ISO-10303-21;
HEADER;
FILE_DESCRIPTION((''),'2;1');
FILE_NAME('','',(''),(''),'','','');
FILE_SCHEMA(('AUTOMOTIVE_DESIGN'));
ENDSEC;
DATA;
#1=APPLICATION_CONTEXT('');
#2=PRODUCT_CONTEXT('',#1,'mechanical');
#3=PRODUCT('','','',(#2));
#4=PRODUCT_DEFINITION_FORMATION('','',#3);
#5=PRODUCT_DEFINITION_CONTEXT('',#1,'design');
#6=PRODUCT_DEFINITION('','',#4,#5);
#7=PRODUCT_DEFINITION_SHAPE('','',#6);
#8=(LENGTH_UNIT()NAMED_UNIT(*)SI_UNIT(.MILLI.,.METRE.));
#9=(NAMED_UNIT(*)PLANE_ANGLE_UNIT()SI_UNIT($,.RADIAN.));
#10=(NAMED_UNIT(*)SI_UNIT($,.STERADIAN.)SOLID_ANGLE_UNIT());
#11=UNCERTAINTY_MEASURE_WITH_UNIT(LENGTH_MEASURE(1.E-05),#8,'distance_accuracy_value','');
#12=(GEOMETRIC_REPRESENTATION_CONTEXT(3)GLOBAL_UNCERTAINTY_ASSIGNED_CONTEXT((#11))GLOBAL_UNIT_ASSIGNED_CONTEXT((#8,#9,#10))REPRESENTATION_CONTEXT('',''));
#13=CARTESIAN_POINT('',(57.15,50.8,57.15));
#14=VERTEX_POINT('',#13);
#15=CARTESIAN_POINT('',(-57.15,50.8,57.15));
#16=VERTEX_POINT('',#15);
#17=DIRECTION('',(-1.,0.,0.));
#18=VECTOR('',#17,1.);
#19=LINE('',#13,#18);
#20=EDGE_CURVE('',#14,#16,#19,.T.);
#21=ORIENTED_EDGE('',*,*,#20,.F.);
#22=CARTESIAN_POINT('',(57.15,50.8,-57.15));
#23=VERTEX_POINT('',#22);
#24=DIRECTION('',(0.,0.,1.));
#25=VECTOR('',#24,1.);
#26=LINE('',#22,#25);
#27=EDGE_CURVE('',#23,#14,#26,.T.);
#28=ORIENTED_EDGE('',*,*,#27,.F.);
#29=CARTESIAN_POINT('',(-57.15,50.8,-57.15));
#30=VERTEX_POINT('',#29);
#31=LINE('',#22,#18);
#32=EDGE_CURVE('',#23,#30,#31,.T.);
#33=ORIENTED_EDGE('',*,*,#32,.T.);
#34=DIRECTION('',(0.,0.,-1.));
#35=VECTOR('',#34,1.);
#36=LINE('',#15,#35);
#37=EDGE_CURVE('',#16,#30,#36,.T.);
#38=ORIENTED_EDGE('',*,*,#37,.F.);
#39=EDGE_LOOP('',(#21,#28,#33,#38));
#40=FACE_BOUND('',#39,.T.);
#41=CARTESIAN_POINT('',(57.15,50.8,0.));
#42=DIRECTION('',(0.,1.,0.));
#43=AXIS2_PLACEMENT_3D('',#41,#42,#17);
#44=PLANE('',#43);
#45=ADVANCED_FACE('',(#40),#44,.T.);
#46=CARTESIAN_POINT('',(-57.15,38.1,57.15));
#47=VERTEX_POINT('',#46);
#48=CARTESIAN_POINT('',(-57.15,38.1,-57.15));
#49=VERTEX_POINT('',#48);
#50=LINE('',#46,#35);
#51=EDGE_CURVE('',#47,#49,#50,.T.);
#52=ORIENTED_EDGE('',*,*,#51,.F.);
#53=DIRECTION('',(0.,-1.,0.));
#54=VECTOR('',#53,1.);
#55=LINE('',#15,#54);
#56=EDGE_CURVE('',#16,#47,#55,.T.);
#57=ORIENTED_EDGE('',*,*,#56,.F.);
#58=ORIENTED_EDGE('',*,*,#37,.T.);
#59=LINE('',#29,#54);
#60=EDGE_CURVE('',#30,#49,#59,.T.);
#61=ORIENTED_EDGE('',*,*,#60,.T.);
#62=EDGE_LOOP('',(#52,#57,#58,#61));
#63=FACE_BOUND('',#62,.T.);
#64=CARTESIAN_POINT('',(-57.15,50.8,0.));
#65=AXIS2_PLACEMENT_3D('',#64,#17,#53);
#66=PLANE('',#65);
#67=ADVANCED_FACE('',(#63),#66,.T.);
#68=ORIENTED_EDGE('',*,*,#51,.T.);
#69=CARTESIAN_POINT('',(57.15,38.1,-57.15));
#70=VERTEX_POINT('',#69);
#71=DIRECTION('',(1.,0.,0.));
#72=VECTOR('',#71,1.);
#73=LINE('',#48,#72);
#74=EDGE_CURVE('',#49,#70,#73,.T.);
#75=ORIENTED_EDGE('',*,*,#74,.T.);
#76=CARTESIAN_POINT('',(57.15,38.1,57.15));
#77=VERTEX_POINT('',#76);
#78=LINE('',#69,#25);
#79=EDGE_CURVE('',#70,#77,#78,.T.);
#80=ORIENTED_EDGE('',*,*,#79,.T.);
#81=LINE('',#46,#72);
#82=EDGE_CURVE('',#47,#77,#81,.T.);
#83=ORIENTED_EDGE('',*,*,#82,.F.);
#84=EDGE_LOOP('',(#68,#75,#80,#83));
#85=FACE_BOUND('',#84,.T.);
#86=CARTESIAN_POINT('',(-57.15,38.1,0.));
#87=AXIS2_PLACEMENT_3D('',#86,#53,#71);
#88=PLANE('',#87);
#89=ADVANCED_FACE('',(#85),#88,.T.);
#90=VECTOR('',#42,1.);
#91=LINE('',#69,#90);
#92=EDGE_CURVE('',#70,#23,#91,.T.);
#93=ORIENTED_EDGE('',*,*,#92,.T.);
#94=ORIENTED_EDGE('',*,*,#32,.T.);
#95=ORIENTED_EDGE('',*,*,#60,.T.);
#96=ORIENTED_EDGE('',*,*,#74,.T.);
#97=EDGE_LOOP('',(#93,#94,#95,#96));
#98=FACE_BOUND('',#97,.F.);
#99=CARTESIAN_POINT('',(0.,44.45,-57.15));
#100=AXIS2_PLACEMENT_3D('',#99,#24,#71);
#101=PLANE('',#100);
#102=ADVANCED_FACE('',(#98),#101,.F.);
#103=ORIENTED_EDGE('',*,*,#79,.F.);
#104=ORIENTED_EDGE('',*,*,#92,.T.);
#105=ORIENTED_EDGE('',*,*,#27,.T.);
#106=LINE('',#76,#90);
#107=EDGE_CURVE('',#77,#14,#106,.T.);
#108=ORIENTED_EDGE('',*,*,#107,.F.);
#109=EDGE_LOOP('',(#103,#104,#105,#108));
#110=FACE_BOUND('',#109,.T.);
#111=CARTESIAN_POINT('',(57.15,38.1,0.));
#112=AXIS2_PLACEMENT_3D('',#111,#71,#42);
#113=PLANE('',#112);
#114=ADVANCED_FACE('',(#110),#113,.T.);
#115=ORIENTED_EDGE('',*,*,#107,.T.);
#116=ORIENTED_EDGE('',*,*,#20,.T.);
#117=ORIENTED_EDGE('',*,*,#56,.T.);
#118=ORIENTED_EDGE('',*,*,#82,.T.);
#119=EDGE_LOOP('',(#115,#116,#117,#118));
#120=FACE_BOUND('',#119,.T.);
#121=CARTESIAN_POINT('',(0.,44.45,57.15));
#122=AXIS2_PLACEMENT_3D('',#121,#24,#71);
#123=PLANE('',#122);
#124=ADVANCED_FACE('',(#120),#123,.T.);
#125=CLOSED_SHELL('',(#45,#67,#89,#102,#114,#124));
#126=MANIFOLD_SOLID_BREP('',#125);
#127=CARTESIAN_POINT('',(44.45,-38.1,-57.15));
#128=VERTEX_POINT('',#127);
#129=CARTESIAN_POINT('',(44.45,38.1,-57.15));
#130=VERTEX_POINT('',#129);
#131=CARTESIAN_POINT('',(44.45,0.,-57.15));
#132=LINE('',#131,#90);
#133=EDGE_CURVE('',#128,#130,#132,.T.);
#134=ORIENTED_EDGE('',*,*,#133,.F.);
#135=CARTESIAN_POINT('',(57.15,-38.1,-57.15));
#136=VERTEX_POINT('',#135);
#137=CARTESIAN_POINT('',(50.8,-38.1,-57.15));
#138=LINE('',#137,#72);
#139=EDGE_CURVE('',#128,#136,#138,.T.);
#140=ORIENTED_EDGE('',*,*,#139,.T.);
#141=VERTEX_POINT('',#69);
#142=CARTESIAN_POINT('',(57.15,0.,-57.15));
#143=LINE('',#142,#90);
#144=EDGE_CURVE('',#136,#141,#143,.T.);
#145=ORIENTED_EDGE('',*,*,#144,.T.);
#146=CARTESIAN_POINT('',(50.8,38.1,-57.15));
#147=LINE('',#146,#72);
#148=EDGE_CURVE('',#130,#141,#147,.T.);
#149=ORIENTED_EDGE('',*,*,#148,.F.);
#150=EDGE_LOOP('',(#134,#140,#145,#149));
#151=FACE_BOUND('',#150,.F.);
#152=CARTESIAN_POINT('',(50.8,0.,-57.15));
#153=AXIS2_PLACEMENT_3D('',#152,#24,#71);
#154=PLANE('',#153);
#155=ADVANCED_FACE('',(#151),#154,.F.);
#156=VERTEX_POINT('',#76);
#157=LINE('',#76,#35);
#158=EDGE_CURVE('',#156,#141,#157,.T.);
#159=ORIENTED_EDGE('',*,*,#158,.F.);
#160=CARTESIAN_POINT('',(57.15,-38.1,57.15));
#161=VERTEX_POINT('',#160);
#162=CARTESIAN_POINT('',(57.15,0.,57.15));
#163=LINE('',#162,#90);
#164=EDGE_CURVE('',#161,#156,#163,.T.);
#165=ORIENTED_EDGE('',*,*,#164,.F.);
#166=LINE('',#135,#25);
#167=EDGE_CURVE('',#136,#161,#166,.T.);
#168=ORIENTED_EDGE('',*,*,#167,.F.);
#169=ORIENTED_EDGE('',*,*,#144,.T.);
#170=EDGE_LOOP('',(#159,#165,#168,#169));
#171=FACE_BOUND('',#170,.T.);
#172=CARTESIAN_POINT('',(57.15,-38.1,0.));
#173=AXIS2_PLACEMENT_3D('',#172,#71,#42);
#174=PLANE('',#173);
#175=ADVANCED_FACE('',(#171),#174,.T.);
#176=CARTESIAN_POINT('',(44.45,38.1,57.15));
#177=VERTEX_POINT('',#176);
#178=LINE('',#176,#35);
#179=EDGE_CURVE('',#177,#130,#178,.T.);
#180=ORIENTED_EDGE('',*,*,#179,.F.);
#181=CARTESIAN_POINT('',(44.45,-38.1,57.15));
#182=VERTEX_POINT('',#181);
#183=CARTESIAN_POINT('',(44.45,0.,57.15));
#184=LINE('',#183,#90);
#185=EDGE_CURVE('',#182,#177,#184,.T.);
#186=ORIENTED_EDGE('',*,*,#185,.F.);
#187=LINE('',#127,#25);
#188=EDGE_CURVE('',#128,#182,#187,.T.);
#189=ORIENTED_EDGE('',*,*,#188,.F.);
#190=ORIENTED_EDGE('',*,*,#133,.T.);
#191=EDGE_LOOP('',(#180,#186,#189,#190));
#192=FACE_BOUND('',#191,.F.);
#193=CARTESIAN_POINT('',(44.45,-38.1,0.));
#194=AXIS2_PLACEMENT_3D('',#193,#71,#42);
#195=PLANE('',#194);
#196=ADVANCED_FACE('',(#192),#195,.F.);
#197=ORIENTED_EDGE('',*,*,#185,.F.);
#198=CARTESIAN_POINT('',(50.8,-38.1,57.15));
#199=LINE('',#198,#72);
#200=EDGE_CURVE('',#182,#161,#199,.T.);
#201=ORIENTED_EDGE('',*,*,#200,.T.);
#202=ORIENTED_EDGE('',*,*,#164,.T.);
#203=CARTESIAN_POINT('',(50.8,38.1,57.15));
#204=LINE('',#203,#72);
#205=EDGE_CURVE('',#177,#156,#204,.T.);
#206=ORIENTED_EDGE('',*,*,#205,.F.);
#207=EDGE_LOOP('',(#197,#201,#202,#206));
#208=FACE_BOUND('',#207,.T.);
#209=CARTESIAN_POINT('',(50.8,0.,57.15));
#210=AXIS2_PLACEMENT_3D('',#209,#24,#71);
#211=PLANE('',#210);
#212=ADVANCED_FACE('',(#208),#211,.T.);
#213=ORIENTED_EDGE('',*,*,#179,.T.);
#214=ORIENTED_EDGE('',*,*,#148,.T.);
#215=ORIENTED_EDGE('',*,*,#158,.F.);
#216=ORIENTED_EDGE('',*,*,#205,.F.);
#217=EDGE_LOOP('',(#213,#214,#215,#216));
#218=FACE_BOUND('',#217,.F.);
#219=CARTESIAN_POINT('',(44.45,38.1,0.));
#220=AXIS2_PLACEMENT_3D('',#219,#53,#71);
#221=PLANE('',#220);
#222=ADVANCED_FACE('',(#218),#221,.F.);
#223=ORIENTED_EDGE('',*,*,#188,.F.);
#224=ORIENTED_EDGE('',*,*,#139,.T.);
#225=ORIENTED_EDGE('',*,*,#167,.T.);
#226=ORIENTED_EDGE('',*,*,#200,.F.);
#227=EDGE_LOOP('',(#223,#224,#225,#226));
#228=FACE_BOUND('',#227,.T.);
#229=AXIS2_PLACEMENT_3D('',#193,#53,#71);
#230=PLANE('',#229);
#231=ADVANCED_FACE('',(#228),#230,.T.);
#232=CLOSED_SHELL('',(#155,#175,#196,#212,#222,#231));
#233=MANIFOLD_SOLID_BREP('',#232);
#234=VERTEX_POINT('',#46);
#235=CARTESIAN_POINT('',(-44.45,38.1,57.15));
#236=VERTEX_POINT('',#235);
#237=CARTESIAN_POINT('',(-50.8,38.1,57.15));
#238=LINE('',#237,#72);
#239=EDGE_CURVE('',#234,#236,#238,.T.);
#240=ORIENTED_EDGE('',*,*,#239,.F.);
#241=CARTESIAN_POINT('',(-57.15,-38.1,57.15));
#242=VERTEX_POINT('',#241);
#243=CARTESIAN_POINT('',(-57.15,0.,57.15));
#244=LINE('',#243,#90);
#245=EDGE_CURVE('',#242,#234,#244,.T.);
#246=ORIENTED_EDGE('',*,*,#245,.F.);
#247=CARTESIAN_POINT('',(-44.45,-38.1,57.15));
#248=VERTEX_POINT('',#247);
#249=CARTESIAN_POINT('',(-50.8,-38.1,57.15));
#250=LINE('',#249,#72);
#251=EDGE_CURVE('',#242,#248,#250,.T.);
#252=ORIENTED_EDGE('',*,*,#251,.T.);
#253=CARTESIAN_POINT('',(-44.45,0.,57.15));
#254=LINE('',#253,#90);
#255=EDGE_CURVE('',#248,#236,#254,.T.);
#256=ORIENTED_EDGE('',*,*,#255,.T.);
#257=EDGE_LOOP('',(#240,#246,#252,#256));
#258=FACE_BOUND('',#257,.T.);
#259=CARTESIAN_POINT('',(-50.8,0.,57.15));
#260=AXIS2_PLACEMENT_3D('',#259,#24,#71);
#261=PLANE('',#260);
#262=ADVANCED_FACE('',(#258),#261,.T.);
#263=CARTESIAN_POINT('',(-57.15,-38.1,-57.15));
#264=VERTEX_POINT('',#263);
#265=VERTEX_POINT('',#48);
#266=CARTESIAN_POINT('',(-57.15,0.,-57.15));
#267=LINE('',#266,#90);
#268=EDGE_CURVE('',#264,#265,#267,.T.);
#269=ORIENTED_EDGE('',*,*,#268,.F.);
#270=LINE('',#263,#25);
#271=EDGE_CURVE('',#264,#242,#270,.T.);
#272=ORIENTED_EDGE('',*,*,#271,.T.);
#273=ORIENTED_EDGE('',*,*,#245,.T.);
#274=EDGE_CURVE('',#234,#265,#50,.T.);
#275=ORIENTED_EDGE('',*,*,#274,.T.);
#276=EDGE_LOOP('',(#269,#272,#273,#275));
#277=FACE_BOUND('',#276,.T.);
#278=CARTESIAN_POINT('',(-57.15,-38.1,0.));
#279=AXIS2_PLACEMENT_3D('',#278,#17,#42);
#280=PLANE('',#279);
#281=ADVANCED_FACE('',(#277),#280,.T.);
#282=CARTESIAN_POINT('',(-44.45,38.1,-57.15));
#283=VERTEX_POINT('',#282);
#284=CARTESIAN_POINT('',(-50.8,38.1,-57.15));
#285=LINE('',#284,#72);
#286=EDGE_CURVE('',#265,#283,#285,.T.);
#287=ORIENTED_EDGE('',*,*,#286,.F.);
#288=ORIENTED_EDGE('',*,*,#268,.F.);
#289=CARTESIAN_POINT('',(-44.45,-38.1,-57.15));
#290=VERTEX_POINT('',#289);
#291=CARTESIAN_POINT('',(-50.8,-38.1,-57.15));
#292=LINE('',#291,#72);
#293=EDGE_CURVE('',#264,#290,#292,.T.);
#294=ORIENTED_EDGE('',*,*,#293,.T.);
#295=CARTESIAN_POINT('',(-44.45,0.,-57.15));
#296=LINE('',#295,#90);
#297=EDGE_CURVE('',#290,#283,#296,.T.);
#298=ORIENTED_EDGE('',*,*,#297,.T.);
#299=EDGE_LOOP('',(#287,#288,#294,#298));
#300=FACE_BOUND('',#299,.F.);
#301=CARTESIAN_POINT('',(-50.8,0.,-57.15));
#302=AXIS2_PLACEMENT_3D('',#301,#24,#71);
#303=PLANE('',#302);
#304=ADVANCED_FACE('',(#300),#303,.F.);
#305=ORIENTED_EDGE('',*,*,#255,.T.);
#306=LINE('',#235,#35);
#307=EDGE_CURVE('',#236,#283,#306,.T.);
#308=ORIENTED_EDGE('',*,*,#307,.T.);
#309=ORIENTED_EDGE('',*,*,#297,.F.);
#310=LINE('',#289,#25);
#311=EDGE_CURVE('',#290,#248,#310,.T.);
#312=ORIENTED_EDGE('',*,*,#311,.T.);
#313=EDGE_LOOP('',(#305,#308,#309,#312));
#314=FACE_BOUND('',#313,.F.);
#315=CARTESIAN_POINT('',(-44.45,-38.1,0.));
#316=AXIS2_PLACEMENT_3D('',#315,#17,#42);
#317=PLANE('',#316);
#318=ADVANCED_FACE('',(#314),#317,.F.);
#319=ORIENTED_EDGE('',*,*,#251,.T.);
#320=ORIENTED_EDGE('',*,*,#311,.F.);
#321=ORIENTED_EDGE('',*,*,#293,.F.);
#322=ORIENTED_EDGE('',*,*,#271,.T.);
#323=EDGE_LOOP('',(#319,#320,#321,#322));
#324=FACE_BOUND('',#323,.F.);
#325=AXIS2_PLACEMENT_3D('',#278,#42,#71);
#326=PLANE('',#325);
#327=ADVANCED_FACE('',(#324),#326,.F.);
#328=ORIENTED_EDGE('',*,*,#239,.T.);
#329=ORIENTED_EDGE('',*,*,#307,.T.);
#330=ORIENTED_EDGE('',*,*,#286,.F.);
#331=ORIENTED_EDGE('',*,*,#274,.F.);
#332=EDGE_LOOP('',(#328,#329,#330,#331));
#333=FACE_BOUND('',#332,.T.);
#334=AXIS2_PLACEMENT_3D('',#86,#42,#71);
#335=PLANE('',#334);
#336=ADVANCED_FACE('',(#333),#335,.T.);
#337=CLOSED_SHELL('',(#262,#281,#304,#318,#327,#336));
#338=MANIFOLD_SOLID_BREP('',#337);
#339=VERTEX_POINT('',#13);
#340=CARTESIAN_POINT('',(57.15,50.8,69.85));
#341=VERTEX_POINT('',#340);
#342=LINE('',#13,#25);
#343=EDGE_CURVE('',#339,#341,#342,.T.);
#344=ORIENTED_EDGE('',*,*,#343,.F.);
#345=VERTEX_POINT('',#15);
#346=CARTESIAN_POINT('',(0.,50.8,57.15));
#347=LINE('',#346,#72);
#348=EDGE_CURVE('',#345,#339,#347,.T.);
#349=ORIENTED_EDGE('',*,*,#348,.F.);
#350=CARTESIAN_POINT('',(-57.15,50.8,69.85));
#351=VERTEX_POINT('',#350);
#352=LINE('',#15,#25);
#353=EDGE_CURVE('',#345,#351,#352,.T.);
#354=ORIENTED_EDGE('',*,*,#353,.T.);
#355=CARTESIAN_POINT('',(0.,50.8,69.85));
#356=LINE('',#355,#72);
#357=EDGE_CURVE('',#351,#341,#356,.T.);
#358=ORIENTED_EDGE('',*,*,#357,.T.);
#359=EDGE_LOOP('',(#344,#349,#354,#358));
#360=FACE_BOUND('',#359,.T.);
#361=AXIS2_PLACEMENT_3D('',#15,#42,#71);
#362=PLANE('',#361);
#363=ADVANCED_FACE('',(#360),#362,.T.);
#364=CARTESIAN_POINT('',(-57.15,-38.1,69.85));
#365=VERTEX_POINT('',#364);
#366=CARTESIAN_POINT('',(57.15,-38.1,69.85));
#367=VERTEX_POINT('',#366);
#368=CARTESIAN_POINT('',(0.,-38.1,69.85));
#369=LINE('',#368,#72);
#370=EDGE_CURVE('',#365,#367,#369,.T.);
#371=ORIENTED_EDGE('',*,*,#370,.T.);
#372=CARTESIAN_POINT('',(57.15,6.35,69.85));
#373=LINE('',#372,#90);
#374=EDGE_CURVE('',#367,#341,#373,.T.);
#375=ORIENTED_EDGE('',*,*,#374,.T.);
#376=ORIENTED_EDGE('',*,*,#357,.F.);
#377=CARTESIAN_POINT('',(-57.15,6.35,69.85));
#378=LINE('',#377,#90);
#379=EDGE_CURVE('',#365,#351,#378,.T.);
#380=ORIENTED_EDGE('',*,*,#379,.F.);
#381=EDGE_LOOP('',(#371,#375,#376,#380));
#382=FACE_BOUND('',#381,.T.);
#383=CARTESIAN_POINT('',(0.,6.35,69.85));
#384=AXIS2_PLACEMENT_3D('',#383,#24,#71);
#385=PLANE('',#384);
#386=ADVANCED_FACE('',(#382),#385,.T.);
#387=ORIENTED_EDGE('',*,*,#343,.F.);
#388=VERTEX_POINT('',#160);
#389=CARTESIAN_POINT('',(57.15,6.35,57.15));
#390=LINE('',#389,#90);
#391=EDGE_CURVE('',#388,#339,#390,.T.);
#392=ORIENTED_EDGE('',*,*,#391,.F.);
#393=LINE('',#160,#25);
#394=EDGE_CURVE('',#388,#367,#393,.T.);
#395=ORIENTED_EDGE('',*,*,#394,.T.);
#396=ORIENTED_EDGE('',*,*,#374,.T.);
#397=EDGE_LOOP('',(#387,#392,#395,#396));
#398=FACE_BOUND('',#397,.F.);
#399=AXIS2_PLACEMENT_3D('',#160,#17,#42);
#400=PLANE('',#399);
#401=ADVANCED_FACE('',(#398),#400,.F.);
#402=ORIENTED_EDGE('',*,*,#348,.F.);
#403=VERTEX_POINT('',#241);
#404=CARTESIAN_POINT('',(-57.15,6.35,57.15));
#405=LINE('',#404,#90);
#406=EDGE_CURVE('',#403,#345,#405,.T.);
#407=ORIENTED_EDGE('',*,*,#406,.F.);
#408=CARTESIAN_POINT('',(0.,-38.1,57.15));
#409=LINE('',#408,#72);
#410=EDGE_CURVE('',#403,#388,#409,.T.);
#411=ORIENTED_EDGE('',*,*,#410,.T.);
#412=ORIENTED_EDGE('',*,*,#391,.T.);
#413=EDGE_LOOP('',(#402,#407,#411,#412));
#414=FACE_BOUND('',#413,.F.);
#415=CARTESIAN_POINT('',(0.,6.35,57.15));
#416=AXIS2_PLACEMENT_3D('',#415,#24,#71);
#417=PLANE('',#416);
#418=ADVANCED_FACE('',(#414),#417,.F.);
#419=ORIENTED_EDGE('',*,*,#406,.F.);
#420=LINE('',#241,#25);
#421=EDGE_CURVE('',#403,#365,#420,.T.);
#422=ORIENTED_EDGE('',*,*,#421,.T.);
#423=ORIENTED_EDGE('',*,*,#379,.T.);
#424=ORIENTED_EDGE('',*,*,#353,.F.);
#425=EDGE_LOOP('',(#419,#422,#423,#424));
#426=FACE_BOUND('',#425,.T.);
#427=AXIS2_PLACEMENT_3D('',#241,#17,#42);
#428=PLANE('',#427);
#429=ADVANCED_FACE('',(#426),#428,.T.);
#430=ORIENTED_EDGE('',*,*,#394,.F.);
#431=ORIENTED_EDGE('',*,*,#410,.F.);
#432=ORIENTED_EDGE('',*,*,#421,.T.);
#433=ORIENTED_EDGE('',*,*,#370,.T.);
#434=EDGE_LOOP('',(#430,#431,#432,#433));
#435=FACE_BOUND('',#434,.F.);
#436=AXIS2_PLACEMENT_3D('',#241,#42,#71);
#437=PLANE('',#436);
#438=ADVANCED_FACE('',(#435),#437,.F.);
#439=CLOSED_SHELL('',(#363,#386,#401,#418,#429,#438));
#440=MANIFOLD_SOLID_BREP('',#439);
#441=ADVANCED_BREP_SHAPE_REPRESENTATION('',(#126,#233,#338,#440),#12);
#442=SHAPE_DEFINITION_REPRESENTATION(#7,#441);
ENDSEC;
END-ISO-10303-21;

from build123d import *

# Parameters (mm, degrees)
F0_W     = 12.7
F0_H     = 76.2
F1_DEPTH = 57.15
F2_DEPTH = 57.15
F3_W     = 114.3
F3_H     = 88.9
F4_DEPTH = 12.7


with BuildPart() as f1:
    # F0 (on Top) → F1 (new body, symmetric)
    with BuildSketch(Plane.XY):
        with Locations((-50.8, 0)):
            Rectangle(F0_W, F0_H)
        with Locations((50.8, 0)):
            Rectangle(F0_W, F0_H)
    extrude(amount=F1_DEPTH, both=True)


with BuildPart() as f2:
    # F0 (on Top) → F2 (new body, symmetric)
    with BuildSketch(Plane.XY):
        Polygon((-57.15, 38.1), (-44.45, 38.1), (44.45, 38.1), (57.15, 38.1), (57.15, 50.8), (-57.15, 50.8), align=None)
    extrude(amount=F2_DEPTH, both=True)


with BuildPart() as f4:
    # F3 (on face) → F4 (new body)
    with BuildSketch(Plane.XY.offset(57.15)):
        with Locations((0, 6.35)):
            Rectangle(F3_W, F3_H)
    extrude(amount=F4_DEPTH)


solid = Compound([f1.part, f2.part, f4.part])
